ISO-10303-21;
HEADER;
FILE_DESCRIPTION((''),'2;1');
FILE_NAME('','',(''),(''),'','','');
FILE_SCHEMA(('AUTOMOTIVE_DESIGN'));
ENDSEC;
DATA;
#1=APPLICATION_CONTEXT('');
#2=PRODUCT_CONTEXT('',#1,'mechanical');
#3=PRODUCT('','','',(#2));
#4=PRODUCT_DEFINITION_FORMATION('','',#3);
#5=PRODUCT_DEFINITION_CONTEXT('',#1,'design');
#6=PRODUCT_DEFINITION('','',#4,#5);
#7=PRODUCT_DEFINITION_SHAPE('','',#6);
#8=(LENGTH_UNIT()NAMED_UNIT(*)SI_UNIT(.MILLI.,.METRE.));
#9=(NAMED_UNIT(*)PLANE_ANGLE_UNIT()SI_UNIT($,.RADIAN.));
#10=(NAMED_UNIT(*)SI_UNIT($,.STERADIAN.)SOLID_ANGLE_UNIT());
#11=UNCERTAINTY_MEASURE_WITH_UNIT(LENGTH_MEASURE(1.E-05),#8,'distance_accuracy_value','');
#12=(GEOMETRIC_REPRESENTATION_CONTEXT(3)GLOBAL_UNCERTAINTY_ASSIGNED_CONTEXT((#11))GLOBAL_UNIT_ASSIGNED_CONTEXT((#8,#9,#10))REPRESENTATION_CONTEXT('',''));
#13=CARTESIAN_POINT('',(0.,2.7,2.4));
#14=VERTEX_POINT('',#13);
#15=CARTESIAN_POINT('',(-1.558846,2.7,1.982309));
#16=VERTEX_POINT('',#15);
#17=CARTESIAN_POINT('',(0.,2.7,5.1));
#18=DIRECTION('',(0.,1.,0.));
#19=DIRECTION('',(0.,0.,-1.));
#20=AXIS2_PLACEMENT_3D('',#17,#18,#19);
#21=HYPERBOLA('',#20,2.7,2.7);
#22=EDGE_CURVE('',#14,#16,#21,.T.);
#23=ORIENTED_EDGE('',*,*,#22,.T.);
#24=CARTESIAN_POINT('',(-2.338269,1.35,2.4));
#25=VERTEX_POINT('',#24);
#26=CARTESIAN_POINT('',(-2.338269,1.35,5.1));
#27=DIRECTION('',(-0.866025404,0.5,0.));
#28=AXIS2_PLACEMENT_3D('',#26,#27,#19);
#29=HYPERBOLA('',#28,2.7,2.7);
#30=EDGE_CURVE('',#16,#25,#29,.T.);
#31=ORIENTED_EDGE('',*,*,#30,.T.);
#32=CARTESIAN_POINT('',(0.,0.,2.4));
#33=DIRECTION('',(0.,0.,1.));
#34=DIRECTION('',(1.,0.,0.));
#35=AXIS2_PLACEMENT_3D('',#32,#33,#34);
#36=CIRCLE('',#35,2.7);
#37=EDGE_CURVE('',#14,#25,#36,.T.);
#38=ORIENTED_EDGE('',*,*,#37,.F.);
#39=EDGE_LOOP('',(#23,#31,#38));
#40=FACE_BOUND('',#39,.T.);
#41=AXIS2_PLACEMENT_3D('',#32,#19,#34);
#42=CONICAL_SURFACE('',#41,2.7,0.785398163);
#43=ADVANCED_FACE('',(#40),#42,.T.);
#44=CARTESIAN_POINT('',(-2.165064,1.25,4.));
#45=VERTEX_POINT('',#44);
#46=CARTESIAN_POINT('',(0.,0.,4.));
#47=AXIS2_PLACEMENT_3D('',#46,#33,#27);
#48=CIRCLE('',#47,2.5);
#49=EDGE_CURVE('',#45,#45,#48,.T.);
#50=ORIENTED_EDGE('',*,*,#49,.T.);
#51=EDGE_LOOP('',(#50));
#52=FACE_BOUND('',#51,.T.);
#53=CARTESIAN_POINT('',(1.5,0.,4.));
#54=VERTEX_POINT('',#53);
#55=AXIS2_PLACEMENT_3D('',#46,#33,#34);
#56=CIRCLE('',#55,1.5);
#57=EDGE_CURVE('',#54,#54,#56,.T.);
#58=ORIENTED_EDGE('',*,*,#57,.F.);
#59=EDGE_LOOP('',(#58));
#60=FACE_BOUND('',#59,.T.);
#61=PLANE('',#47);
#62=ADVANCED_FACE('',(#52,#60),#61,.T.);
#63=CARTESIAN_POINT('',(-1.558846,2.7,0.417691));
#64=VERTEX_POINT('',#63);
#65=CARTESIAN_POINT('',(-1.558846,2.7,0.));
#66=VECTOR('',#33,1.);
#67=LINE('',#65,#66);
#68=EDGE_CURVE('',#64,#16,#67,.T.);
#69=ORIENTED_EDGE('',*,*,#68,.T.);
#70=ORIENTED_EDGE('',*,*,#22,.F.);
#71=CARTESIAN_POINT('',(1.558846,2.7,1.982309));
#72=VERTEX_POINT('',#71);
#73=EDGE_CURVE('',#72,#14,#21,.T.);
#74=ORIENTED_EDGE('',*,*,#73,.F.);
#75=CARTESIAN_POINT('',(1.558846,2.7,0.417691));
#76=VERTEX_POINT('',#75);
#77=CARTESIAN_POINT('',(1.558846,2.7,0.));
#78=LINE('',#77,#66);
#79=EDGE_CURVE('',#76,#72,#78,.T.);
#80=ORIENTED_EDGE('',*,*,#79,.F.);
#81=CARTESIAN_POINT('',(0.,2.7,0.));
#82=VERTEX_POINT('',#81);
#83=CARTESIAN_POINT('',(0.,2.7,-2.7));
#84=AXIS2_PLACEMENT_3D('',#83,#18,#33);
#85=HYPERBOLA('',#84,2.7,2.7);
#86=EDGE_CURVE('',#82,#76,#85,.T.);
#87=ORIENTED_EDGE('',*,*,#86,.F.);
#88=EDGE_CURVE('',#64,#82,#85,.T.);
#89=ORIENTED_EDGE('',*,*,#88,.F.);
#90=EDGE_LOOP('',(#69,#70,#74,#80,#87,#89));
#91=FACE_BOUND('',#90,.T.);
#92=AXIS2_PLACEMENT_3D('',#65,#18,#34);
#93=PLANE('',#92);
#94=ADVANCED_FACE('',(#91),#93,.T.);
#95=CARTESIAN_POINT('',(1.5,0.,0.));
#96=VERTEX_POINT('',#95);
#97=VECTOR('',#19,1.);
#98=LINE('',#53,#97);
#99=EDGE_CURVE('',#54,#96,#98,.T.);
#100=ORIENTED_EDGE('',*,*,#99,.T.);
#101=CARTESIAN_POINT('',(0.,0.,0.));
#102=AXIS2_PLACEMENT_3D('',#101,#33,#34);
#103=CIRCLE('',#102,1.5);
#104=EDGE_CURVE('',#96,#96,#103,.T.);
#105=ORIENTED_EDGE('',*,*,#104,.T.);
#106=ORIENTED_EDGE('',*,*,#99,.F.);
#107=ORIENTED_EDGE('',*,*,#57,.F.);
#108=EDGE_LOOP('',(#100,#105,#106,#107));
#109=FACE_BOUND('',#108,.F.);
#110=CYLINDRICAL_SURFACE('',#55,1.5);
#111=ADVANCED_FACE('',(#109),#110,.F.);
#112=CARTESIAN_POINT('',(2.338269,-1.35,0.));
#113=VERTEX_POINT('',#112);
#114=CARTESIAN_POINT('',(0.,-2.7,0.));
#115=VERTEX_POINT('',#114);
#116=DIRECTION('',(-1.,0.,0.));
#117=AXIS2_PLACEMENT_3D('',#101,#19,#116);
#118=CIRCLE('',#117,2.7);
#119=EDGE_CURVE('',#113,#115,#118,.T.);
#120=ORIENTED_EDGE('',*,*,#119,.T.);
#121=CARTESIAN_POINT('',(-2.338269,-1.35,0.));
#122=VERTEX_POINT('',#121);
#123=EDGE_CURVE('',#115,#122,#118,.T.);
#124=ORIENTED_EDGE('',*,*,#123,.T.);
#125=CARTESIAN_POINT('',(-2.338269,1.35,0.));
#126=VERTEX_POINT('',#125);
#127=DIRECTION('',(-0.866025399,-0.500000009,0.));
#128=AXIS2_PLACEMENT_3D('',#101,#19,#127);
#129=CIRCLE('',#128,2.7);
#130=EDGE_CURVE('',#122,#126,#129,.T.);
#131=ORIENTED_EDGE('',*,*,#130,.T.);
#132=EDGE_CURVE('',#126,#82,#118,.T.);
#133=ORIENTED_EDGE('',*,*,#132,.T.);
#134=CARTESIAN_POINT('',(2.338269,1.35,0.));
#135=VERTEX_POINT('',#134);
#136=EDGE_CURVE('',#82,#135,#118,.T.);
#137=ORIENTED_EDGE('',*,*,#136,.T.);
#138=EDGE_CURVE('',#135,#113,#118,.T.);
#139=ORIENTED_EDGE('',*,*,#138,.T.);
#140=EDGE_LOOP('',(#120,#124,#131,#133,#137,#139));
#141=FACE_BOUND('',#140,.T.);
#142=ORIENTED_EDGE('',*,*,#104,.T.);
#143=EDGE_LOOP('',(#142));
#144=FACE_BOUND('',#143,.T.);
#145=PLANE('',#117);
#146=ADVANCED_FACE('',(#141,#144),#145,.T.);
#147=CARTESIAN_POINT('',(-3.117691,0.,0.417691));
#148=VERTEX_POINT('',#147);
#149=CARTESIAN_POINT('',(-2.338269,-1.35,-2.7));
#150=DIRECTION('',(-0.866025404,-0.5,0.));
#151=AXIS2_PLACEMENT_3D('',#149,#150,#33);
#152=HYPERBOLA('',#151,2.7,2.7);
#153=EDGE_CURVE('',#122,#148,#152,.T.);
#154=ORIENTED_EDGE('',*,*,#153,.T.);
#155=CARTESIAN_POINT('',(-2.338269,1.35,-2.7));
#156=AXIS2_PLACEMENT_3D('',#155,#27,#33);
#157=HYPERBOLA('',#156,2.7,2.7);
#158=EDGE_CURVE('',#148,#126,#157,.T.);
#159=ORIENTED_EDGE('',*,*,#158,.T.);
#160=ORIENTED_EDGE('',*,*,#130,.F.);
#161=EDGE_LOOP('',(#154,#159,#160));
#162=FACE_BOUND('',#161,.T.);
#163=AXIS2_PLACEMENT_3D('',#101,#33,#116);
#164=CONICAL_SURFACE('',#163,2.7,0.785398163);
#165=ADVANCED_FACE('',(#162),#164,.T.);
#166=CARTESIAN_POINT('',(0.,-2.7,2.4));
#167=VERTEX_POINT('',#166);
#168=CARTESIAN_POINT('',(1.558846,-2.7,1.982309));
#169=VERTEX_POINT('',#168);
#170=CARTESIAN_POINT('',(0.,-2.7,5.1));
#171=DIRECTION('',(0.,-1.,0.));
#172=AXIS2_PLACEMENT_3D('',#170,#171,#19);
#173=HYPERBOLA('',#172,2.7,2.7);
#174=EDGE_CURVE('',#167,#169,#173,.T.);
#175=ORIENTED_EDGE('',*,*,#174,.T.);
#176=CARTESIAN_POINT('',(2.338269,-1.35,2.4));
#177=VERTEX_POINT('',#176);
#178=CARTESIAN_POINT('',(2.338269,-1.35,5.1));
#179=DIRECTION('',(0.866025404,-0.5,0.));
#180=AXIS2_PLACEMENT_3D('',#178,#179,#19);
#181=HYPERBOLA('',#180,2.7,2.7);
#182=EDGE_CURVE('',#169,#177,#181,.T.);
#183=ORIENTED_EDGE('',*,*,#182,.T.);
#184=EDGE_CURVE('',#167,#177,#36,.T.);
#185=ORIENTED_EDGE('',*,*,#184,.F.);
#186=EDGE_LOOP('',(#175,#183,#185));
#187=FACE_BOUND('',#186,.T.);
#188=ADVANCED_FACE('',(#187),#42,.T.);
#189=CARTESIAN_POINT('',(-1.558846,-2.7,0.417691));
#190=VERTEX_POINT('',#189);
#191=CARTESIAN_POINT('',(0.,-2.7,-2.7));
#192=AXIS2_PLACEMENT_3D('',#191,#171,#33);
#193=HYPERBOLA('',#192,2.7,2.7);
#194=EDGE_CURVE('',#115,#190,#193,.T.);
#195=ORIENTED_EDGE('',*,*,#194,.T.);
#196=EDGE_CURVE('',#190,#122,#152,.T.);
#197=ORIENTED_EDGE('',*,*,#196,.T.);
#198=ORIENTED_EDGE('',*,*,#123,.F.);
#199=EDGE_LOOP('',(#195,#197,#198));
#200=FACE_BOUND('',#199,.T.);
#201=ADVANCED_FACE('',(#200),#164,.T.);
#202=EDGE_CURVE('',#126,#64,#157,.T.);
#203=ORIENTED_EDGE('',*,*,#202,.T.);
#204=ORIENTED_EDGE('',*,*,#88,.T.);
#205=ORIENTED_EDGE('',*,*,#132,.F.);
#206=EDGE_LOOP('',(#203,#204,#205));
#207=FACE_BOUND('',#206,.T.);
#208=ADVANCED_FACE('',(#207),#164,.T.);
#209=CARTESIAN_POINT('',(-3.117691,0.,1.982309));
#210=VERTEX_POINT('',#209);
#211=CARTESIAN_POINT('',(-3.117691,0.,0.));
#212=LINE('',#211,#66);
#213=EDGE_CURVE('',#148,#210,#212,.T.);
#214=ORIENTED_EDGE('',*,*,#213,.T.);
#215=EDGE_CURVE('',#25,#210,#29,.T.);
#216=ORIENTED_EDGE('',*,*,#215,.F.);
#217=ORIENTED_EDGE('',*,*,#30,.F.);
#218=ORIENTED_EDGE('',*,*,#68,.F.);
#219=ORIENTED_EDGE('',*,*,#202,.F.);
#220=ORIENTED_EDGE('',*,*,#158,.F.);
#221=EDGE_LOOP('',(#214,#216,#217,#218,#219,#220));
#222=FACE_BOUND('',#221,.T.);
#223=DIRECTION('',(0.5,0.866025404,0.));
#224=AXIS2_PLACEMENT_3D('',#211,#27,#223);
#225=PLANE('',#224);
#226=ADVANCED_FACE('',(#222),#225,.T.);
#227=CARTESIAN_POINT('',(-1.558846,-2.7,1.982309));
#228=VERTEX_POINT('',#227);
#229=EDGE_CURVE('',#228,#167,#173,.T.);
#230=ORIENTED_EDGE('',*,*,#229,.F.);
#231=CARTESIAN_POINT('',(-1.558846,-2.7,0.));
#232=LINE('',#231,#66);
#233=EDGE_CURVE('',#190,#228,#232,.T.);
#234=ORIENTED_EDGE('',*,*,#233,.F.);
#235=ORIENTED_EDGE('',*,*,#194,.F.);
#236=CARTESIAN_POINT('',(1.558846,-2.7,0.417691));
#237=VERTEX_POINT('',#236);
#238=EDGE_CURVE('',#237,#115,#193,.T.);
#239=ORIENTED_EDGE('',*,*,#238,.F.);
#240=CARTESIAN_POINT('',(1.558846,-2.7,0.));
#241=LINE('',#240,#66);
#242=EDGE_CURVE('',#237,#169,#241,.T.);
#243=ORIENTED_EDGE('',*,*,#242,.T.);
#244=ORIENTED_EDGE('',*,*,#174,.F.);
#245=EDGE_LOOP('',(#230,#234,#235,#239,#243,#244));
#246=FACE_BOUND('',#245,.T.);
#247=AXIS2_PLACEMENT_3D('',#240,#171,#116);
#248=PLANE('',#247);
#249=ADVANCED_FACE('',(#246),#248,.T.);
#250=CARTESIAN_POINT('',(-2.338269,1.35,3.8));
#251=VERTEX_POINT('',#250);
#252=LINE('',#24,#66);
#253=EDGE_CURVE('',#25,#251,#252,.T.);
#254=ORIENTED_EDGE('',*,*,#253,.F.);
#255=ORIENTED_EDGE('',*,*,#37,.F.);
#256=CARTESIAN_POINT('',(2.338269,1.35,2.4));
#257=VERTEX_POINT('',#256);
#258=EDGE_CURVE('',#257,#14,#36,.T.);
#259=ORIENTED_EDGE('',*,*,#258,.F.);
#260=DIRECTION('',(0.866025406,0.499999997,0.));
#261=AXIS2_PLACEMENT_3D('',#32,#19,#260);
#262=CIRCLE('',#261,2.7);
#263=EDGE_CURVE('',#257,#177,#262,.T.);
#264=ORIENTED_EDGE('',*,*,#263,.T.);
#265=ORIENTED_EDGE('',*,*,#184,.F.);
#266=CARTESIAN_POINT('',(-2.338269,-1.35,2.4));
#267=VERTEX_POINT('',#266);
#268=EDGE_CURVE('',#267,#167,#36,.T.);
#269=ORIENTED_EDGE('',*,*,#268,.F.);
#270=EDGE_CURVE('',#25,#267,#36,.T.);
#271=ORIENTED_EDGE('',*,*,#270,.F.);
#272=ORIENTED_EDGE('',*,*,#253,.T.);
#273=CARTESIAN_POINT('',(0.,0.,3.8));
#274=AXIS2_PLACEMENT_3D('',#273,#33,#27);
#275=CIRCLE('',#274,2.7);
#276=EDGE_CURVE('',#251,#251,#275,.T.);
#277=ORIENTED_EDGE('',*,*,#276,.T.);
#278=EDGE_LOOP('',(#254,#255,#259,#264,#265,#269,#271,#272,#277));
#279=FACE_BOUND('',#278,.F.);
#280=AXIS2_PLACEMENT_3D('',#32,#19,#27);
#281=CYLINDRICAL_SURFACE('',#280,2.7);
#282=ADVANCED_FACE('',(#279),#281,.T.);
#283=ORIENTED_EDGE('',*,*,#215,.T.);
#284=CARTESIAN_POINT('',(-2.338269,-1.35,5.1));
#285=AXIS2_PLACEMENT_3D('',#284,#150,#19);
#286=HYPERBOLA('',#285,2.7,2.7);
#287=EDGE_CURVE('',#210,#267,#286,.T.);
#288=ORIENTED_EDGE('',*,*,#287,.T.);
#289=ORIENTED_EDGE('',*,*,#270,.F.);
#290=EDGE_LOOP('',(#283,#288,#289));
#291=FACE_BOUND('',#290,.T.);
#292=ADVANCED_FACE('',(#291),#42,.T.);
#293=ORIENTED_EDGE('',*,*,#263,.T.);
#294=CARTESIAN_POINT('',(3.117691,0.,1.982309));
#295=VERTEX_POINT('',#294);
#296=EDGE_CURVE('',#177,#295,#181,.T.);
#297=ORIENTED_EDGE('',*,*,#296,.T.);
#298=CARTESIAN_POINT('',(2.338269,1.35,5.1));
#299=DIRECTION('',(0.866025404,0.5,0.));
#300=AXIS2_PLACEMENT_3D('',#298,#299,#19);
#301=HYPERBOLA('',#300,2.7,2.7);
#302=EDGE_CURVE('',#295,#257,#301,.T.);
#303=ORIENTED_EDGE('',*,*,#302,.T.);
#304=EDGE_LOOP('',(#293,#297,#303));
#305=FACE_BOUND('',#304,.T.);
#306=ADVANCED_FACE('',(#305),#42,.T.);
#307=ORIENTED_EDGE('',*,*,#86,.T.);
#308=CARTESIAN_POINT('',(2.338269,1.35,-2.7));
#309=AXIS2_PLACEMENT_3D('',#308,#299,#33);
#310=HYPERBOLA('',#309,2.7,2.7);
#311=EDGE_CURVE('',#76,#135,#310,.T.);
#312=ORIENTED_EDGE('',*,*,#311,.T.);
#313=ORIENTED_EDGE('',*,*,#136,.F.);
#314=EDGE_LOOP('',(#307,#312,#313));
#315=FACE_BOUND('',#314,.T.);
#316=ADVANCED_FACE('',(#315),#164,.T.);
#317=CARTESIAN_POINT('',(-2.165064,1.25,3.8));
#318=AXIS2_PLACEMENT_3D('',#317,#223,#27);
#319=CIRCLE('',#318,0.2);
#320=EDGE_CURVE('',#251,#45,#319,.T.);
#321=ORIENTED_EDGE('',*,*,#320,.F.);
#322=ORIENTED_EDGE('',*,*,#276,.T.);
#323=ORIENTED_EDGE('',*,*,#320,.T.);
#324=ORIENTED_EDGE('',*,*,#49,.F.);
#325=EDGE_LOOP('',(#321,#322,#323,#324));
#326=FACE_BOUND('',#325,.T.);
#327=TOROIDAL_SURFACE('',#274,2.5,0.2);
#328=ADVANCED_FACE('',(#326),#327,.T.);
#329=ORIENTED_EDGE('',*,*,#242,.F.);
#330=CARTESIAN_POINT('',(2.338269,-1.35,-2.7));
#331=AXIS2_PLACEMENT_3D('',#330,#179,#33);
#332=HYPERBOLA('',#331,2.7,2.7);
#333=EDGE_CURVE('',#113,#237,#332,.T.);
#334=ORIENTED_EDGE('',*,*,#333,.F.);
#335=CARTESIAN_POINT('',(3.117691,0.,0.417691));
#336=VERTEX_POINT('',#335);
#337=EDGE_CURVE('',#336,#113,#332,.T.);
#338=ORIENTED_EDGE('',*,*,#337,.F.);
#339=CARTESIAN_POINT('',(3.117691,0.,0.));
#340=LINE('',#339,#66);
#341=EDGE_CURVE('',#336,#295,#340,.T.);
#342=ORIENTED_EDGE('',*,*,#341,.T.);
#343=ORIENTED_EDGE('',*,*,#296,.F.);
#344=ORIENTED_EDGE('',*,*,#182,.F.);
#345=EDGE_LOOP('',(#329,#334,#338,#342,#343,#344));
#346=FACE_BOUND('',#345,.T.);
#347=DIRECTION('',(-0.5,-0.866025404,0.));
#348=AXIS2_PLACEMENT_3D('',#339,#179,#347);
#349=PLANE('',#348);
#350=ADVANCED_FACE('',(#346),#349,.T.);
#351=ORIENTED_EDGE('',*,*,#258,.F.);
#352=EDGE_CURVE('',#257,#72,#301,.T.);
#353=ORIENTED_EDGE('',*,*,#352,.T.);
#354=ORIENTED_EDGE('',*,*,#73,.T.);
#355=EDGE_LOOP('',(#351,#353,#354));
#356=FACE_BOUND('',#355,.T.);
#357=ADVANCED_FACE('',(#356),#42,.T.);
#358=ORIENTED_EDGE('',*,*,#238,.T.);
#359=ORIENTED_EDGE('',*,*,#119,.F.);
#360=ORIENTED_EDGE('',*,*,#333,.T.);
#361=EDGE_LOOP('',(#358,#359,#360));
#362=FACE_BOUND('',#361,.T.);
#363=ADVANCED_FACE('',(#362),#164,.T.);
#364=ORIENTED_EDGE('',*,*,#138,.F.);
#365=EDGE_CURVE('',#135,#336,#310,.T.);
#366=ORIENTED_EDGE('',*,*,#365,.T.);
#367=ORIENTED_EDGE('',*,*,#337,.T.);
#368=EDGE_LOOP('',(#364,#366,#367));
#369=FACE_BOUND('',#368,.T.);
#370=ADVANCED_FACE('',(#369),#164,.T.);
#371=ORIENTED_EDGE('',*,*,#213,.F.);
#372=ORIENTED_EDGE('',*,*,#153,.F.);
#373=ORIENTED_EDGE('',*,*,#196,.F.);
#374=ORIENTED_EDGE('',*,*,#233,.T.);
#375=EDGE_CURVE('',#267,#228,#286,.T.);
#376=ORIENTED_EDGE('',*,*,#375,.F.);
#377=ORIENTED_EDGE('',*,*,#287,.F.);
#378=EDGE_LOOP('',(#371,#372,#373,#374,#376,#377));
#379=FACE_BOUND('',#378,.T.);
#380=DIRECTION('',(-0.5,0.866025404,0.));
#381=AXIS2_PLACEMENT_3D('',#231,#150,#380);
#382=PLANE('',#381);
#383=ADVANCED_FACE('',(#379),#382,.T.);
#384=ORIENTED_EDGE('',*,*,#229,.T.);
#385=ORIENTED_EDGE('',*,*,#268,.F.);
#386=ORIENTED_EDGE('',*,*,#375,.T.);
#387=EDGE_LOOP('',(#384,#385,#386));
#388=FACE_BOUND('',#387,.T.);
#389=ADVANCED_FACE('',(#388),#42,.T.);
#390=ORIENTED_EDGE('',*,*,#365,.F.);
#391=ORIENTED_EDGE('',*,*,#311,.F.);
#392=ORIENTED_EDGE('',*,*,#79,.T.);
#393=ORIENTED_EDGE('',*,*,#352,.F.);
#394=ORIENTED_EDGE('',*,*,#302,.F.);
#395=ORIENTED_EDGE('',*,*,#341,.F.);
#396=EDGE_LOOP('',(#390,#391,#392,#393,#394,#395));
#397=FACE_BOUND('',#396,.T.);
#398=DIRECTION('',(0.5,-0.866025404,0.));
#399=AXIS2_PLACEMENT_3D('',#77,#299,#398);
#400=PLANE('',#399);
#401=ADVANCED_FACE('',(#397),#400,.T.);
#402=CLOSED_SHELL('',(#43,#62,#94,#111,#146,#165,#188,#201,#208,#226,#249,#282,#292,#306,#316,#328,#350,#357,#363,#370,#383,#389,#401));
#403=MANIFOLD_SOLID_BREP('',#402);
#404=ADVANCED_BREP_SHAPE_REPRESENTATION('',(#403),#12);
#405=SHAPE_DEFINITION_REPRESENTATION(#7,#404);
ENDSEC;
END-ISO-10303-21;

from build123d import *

# Parameters (mm, degrees)
EXTRUDE_1_DEPTH     = 2.4
SKETCH_2_OUTSIDE_W  = 17.954
SKETCH_2_OUTSIDE_H  = 17.118
SKETCH_2_OUTSIDE_R  = 2.7
CUT_EXTRUDE_1_DEPTH = 4
CUT_EXTRUDE_1_DRAFT = -45
SKETCH_3_OUTSIDE_W  = 17.954
SKETCH_3_OUTSIDE_H  = 17.118
SKETCH_3_OUTSIDE_R  = 2.7
CUT_EXTRUDE_2_DEPTH = 4
CUT_EXTRUDE_2_DRAFT = -45
SKETCH_3_2_R        = 2.7
EXTRUDE_2_DEPTH     = 1.6
FILLET_1_R          = 0.2
SKETCH_4_R          = 1.5
CUT_EXTRUDE_3_DEPTH = 6.745432969


with BuildPart() as part:
    # 草图1 → 凸台-拉伸1 (new body)
    with BuildSketch(Plane.XY):
        Polygon((-1.558845727, 2.7), (1.558845727, 2.7), (3.117691454, 0), (1.558845727, -2.7), (-1.558845727, -2.7), (-3.117691454, 0), align=None)
    extrude(amount=EXTRUDE_1_DEPTH)


with BuildPart() as cut_extrude_1_tool:
    # 草图2 outside → 切除-拉伸1 (with draft: the straight prism first)
    with BuildSketch(Plane(origin=(0, 0, 0), x_dir=(-1, 0, 0), z_dir=(0, 0, -1))):
        Rectangle(SKETCH_2_OUTSIDE_W, SKETCH_2_OUTSIDE_H)
        Circle(SKETCH_2_OUTSIDE_R, mode=Mode.SUBTRACT)
    extrude(amount=-CUT_EXTRUDE_1_DEPTH)
    # 切除-拉伸1: the draft: its side faces are tilted about the plane it starts from
    cut_extrude_1_sides = [cut_extrude_1_tool.faces().sort_by_distance(p)[0] for p in [
        (0, -8.559, 2),
        (-8.977, 0, 2),
        (0, 8.559, 2),
        (8.977, 0, 2),
        (2.7, 0, 2),
    ]]
    draft(cut_extrude_1_sides, Plane(origin=(0, 0, 0), x_dir=(-1, 0, 0), z_dir=(0, 0, -1)), CUT_EXTRUDE_1_DRAFT)


with BuildPart() as part_1:
    add(part.part)

    # 切除-拉伸1: cut by cut_extrude_1_tool
    add(cut_extrude_1_tool.part, mode=Mode.SUBTRACT)


with BuildPart() as cut_extrude_2_tool:
    # 草图3 outside → 切除-拉伸2 (with draft: the straight prism first)
    with BuildSketch(Plane.XY.offset(2.4)):
        Rectangle(SKETCH_3_OUTSIDE_W, SKETCH_3_OUTSIDE_H)
        Circle(SKETCH_3_OUTSIDE_R, mode=Mode.SUBTRACT)
    extrude(amount=-CUT_EXTRUDE_2_DEPTH)
    # 切除-拉伸2: the draft: its side faces are tilted about the plane it starts from
    cut_extrude_2_sides = [cut_extrude_2_tool.faces().sort_by_distance(p)[0] for p in [
        (0, -8.559, 0.4),
        (8.977, 0, 0.4),
        (0, 8.559, 0.4),
        (-8.977, 0, 0.4),
        (-2.7, 0, 0.4),
    ]]
    draft(cut_extrude_2_sides, Plane.XY.offset(2.4), CUT_EXTRUDE_2_DRAFT)


with BuildPart() as part_2:
    add(part_1.part)

    # 切除-拉伸2: cut by cut_extrude_2_tool
    add(cut_extrude_2_tool.part, mode=Mode.SUBTRACT)

    # 草图3<2> → 凸台-拉伸2 (add)
    with BuildSketch(Plane.XY.offset(2.4)):
        Circle(SKETCH_3_2_R)
    extrude(amount=EXTRUDE_2_DEPTH)

    # 圆角1
    fillet_1_edges = [part_2.edges().sort_by_distance(p)[0] for p in [
        (-2.7, 0, 4),
    ]]
    fillet(fillet_1_edges, radius=FILLET_1_R)

    # 草图4 → 切除-拉伸3 (cut, through all)
    with BuildSketch(Plane.XY.offset(4)):
        Circle(SKETCH_4_R)
    extrude(amount=-CUT_EXTRUDE_3_DEPTH, mode=Mode.SUBTRACT)


solid = part_2.part
